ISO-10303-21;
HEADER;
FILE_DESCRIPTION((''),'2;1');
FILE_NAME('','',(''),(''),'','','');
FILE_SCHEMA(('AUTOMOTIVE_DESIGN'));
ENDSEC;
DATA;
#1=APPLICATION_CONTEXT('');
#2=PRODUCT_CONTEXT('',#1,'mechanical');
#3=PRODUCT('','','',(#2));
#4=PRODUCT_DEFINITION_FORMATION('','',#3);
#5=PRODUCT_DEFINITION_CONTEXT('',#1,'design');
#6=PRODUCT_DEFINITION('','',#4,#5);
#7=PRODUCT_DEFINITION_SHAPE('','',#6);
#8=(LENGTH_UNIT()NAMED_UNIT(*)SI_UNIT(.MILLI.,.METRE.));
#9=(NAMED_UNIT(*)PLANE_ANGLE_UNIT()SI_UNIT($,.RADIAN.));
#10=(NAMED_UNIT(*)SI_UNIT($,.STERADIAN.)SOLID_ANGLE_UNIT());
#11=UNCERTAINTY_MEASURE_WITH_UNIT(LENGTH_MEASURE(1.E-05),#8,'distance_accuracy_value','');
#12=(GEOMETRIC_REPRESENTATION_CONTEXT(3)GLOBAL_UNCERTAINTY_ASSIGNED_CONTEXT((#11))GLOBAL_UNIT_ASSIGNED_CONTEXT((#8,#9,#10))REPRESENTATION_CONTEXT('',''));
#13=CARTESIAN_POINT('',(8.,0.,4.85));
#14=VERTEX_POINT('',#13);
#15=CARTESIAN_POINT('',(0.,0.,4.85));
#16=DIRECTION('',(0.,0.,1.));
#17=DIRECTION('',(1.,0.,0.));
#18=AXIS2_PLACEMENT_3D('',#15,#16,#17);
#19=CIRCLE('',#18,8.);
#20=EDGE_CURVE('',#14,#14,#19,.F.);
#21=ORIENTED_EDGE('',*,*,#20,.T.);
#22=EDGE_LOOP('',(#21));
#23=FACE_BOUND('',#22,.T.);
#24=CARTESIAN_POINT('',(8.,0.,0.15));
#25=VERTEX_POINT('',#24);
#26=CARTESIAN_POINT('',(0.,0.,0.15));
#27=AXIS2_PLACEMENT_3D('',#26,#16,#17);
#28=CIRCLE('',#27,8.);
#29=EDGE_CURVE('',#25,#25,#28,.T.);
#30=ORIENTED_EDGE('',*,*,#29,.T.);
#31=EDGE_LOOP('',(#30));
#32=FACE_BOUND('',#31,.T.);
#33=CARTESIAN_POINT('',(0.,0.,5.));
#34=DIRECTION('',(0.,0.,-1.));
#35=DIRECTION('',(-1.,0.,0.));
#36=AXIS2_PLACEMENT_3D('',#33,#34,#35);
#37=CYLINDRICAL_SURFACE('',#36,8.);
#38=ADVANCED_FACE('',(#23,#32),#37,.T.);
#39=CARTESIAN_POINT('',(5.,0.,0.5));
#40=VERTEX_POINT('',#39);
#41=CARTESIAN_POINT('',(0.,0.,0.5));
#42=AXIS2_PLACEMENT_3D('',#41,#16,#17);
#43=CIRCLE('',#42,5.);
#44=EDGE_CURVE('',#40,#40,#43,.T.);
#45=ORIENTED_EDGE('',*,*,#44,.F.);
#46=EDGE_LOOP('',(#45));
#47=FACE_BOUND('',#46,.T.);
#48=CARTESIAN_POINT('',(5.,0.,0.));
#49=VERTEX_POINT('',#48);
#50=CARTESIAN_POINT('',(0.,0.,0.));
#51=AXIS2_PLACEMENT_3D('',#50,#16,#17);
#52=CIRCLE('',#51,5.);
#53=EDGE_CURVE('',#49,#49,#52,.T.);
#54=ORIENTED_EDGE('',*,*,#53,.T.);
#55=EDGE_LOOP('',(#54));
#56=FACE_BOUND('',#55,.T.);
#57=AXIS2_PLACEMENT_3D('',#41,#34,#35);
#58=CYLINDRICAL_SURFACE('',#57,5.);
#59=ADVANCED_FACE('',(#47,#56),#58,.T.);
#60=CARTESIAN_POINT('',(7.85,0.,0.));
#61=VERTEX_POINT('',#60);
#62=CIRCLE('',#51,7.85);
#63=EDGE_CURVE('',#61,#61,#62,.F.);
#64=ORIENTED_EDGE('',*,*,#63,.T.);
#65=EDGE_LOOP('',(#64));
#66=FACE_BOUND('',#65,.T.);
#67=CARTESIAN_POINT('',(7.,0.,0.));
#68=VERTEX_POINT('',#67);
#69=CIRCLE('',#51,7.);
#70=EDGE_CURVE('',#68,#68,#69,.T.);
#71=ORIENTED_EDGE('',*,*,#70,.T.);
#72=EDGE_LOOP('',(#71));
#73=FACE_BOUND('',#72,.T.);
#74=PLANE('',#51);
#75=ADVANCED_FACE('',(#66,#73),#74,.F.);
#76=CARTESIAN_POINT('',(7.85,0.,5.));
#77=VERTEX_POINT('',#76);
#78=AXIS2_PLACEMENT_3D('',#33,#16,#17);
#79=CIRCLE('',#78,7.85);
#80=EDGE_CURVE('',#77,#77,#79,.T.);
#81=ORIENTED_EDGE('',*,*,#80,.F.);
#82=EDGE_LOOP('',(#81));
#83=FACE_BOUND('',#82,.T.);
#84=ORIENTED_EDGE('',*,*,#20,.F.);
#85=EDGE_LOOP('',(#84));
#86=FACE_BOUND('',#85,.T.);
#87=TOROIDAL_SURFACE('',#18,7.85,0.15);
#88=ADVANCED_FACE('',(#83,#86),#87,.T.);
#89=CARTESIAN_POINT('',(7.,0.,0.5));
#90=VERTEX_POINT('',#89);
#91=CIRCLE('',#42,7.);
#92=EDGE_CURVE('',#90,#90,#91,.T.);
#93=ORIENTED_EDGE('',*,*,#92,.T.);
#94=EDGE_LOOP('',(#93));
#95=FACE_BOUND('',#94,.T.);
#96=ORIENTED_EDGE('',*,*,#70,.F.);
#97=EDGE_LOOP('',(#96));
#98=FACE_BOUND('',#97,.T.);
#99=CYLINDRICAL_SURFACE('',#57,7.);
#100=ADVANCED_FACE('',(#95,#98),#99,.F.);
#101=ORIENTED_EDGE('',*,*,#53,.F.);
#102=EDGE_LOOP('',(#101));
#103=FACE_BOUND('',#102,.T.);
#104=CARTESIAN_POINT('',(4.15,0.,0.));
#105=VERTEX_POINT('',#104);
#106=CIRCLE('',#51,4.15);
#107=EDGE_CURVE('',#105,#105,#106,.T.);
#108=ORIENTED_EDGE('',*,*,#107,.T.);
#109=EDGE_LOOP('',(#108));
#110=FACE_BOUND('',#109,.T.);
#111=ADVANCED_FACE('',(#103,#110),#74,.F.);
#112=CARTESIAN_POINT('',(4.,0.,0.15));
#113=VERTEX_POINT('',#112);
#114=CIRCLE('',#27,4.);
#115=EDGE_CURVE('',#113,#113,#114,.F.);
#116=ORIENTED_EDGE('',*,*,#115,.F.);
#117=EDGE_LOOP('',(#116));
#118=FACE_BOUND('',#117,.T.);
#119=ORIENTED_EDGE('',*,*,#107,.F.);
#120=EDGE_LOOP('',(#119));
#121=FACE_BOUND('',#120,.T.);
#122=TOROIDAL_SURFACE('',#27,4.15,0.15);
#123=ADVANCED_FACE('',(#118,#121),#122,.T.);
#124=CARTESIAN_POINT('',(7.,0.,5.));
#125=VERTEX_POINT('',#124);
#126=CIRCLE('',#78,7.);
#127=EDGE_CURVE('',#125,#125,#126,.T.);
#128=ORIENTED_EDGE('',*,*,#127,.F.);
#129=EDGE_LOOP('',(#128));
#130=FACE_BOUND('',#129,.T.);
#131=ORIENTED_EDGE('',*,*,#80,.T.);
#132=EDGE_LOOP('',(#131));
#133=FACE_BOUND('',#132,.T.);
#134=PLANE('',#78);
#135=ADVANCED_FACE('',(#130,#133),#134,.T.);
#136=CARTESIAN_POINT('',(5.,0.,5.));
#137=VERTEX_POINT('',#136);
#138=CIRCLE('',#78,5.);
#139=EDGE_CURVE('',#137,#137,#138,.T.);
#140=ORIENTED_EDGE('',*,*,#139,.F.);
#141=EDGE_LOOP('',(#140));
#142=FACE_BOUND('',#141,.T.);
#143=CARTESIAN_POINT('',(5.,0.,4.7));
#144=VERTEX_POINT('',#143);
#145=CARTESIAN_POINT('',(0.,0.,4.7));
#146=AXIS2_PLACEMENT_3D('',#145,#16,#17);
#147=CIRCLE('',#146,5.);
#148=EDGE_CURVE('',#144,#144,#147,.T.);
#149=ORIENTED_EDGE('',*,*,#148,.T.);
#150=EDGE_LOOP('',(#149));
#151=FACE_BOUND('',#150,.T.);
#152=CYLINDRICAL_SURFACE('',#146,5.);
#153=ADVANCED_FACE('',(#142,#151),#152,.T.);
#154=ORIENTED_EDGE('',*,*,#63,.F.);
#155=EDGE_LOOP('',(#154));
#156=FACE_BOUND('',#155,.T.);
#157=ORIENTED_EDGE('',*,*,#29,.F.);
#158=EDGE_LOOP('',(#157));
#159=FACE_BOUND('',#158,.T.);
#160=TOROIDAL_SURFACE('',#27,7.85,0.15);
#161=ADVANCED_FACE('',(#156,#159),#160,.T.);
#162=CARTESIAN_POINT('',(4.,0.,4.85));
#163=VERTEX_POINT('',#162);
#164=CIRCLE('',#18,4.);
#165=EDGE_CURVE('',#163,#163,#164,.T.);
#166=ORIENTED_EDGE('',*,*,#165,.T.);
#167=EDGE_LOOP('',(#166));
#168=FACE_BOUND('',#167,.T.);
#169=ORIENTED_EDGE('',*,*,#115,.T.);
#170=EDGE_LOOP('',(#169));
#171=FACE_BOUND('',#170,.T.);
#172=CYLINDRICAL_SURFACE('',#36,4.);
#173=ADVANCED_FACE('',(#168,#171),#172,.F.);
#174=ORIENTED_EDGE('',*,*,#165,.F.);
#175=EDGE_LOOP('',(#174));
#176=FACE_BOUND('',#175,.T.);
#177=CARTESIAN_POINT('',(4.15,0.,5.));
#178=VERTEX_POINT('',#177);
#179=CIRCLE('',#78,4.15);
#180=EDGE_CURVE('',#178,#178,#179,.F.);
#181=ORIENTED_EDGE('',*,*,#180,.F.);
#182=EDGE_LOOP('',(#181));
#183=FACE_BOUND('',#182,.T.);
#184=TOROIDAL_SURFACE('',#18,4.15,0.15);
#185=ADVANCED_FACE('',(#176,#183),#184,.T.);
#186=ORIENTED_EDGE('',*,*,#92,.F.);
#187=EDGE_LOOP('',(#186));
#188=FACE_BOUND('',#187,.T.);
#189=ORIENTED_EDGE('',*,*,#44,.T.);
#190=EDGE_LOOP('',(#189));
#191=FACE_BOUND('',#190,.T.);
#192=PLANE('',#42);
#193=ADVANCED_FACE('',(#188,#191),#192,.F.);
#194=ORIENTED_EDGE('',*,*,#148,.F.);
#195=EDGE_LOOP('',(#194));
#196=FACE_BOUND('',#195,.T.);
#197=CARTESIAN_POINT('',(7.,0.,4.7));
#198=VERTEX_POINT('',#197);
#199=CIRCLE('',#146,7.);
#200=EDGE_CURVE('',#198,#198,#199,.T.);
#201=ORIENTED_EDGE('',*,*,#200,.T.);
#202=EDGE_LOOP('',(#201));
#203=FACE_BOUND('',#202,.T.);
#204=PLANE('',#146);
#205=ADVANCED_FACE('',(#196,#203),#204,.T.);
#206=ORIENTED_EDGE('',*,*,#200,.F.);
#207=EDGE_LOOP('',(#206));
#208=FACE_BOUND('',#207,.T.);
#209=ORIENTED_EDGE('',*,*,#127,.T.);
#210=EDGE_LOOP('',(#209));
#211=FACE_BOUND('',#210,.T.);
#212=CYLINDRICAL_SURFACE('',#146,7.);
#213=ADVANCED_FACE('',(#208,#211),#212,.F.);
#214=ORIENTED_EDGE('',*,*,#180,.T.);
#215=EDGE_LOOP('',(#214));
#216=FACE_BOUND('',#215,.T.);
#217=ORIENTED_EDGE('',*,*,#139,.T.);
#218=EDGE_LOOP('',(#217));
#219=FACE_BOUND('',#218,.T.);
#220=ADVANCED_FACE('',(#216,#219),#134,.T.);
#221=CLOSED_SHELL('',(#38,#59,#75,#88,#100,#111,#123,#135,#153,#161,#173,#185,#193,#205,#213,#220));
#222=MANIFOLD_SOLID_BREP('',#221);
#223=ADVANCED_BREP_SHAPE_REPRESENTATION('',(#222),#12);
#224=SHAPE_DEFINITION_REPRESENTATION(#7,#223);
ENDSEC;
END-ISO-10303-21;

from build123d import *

# Parameters (mm, degrees)
SKETCH1_R           = 8
SKETCH1_R_2         = 4
BOSS_EXTRUDE1_DEPTH = 5
SKETCH2_R           = 7
SKETCH2_R_2         = 5
CUT_EXTRUDE1_DEPTH  = 0.3
CUT_EXTRUDE2_START  = -4.5
SKETCH2_2_R         = 7
SKETCH2_2_R_2       = 5
CUT_EXTRUDE2_DEPTH  = 0.5
FILLET1_R           = 0.15


with BuildPart() as part:
    # Sketch1 → Boss-Extrude1 (new body)
    with BuildSketch(Plane.XY):
        Circle(SKETCH1_R)
        Circle(SKETCH1_R_2, mode=Mode.SUBTRACT)
    extrude(amount=BOSS_EXTRUDE1_DEPTH)

    # Sketch2 → Cut-Extrude1 (cut)
    with BuildSketch(Plane.XY.offset(5)):
        Circle(SKETCH2_R)
        Circle(SKETCH2_R_2, mode=Mode.SUBTRACT)
    extrude(amount=-CUT_EXTRUDE1_DEPTH, mode=Mode.SUBTRACT)

    # Sketch2<2> → Cut-Extrude2 (cut)
    with BuildSketch(Plane.XY.offset(5).offset(CUT_EXTRUDE2_START)):
        Circle(SKETCH2_2_R)
        Circle(SKETCH2_2_R_2, mode=Mode.SUBTRACT)
    extrude(amount=-CUT_EXTRUDE2_DEPTH, mode=Mode.SUBTRACT)

    # Fillet1
    fillet1_edges = [part.edges().sort_by_distance(p)[0] for p in [
        (-8, 0, 0),
        (-8, 0, 5),
        (-4, 0, 0),
        (-4, 0, 5),
    ]]
    fillet(fillet1_edges, radius=FILLET1_R)


solid = part.part
